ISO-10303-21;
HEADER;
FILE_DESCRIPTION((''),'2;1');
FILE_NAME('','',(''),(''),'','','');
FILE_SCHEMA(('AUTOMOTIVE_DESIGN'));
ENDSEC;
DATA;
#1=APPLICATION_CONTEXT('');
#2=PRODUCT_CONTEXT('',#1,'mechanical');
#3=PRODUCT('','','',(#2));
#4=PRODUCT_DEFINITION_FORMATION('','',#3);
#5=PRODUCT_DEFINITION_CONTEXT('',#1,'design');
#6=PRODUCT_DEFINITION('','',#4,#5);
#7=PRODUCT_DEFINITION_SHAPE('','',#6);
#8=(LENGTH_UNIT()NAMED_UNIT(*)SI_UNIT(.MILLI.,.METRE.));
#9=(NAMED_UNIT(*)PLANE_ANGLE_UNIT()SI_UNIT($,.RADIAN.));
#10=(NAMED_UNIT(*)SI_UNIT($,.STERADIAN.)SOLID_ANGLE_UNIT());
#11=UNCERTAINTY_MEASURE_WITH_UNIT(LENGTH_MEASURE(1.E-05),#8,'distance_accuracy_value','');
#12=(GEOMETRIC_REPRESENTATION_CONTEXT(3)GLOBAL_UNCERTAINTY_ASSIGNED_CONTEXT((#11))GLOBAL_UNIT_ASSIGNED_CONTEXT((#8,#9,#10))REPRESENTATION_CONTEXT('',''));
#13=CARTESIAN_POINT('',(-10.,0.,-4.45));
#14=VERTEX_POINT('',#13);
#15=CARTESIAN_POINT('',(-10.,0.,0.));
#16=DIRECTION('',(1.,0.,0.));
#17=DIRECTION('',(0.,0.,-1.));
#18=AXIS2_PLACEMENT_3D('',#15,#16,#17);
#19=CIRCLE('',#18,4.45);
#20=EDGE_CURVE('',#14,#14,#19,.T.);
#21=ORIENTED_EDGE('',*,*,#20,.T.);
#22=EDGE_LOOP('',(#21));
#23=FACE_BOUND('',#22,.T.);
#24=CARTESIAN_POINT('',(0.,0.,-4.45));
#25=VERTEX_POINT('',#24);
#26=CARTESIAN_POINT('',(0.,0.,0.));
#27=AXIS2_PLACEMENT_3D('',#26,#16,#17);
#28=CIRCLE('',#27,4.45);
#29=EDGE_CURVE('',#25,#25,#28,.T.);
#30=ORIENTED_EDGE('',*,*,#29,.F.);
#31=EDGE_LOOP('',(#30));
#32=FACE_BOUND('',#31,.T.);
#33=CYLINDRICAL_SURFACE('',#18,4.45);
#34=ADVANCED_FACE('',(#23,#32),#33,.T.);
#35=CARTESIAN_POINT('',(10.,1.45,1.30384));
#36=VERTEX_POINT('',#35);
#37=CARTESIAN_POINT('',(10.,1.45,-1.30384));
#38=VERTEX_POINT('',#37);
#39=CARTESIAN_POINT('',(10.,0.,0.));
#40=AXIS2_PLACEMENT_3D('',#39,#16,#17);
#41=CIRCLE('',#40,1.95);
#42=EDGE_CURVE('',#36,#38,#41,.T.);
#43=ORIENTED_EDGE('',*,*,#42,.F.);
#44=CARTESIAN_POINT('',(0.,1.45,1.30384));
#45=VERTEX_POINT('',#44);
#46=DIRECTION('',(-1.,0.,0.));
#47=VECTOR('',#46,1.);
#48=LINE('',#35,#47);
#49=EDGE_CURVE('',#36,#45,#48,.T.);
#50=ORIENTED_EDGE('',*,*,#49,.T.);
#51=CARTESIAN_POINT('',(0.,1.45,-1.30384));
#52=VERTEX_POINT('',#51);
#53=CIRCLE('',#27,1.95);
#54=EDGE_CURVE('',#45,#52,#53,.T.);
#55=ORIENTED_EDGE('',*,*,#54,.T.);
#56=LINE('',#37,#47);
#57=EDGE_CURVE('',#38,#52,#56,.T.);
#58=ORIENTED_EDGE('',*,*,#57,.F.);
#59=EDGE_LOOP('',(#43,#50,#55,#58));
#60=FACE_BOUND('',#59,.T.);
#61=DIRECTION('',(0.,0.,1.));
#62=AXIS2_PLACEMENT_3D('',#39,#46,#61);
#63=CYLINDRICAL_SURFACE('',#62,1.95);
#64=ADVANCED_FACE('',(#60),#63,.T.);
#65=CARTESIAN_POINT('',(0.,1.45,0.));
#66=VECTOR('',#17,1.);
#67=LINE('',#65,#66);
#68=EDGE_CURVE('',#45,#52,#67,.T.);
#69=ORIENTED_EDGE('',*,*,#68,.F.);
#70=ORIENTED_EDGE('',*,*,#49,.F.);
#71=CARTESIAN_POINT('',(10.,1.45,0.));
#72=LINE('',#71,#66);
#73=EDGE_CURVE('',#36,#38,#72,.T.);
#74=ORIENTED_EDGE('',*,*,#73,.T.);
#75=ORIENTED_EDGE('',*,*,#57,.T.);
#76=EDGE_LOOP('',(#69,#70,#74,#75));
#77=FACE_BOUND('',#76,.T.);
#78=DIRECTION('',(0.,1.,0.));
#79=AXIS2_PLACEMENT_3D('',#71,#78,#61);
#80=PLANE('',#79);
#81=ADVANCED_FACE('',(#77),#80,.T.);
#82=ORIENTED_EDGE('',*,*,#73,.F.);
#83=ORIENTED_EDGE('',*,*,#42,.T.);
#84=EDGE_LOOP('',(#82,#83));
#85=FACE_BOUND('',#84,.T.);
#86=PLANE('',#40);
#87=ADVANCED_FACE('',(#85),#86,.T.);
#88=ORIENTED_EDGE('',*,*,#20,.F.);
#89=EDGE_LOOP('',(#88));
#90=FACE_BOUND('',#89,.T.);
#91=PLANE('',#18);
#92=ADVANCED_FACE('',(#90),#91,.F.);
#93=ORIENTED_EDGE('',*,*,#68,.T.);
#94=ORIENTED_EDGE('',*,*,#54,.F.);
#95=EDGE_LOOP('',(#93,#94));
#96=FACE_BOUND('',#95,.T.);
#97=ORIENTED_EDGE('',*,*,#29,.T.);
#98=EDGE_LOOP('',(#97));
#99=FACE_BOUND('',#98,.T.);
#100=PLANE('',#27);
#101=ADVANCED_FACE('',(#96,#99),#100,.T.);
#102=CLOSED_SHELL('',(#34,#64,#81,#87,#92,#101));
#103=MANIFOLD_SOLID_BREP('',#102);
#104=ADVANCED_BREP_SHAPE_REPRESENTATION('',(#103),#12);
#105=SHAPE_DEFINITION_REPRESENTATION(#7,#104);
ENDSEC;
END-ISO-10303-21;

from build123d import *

# Parameters (mm, degrees)
BOSS_EXTRUDE1_DEPTH = 10
SKETCH1_3_R         = 4.45
BOSS_EXTRUDE2_DEPTH = 10


with BuildPart() as part:
    # Sketch1 → Boss-Extrude1 (new body)
    with BuildSketch(Plane(origin=(0, 0, 0), x_dir=(0, 0, -1), z_dir=(1, 0, 0))):
        with BuildLine():
            Line((1.303840481, 1.45), (-1.303840481, 1.45))
            ThreePointArc((-1.303840481, 1.45), (-0.793728878, -1.78114976), (1.95, 0))
            ThreePointArc((1.95, 0), (1.78114976, 0.793728878), (1.303840481, 1.45))
        make_face()
    extrude(amount=BOSS_EXTRUDE1_DEPTH)

    # Sketch1<3> → Boss-Extrude2 (add)
    with BuildSketch(Plane(origin=(0, 0, 0), x_dir=(0, 0, -1), z_dir=(1, 0, 0))):
        Circle(SKETCH1_3_R)
    extrude(amount=-BOSS_EXTRUDE2_DEPTH)


solid = part.part
